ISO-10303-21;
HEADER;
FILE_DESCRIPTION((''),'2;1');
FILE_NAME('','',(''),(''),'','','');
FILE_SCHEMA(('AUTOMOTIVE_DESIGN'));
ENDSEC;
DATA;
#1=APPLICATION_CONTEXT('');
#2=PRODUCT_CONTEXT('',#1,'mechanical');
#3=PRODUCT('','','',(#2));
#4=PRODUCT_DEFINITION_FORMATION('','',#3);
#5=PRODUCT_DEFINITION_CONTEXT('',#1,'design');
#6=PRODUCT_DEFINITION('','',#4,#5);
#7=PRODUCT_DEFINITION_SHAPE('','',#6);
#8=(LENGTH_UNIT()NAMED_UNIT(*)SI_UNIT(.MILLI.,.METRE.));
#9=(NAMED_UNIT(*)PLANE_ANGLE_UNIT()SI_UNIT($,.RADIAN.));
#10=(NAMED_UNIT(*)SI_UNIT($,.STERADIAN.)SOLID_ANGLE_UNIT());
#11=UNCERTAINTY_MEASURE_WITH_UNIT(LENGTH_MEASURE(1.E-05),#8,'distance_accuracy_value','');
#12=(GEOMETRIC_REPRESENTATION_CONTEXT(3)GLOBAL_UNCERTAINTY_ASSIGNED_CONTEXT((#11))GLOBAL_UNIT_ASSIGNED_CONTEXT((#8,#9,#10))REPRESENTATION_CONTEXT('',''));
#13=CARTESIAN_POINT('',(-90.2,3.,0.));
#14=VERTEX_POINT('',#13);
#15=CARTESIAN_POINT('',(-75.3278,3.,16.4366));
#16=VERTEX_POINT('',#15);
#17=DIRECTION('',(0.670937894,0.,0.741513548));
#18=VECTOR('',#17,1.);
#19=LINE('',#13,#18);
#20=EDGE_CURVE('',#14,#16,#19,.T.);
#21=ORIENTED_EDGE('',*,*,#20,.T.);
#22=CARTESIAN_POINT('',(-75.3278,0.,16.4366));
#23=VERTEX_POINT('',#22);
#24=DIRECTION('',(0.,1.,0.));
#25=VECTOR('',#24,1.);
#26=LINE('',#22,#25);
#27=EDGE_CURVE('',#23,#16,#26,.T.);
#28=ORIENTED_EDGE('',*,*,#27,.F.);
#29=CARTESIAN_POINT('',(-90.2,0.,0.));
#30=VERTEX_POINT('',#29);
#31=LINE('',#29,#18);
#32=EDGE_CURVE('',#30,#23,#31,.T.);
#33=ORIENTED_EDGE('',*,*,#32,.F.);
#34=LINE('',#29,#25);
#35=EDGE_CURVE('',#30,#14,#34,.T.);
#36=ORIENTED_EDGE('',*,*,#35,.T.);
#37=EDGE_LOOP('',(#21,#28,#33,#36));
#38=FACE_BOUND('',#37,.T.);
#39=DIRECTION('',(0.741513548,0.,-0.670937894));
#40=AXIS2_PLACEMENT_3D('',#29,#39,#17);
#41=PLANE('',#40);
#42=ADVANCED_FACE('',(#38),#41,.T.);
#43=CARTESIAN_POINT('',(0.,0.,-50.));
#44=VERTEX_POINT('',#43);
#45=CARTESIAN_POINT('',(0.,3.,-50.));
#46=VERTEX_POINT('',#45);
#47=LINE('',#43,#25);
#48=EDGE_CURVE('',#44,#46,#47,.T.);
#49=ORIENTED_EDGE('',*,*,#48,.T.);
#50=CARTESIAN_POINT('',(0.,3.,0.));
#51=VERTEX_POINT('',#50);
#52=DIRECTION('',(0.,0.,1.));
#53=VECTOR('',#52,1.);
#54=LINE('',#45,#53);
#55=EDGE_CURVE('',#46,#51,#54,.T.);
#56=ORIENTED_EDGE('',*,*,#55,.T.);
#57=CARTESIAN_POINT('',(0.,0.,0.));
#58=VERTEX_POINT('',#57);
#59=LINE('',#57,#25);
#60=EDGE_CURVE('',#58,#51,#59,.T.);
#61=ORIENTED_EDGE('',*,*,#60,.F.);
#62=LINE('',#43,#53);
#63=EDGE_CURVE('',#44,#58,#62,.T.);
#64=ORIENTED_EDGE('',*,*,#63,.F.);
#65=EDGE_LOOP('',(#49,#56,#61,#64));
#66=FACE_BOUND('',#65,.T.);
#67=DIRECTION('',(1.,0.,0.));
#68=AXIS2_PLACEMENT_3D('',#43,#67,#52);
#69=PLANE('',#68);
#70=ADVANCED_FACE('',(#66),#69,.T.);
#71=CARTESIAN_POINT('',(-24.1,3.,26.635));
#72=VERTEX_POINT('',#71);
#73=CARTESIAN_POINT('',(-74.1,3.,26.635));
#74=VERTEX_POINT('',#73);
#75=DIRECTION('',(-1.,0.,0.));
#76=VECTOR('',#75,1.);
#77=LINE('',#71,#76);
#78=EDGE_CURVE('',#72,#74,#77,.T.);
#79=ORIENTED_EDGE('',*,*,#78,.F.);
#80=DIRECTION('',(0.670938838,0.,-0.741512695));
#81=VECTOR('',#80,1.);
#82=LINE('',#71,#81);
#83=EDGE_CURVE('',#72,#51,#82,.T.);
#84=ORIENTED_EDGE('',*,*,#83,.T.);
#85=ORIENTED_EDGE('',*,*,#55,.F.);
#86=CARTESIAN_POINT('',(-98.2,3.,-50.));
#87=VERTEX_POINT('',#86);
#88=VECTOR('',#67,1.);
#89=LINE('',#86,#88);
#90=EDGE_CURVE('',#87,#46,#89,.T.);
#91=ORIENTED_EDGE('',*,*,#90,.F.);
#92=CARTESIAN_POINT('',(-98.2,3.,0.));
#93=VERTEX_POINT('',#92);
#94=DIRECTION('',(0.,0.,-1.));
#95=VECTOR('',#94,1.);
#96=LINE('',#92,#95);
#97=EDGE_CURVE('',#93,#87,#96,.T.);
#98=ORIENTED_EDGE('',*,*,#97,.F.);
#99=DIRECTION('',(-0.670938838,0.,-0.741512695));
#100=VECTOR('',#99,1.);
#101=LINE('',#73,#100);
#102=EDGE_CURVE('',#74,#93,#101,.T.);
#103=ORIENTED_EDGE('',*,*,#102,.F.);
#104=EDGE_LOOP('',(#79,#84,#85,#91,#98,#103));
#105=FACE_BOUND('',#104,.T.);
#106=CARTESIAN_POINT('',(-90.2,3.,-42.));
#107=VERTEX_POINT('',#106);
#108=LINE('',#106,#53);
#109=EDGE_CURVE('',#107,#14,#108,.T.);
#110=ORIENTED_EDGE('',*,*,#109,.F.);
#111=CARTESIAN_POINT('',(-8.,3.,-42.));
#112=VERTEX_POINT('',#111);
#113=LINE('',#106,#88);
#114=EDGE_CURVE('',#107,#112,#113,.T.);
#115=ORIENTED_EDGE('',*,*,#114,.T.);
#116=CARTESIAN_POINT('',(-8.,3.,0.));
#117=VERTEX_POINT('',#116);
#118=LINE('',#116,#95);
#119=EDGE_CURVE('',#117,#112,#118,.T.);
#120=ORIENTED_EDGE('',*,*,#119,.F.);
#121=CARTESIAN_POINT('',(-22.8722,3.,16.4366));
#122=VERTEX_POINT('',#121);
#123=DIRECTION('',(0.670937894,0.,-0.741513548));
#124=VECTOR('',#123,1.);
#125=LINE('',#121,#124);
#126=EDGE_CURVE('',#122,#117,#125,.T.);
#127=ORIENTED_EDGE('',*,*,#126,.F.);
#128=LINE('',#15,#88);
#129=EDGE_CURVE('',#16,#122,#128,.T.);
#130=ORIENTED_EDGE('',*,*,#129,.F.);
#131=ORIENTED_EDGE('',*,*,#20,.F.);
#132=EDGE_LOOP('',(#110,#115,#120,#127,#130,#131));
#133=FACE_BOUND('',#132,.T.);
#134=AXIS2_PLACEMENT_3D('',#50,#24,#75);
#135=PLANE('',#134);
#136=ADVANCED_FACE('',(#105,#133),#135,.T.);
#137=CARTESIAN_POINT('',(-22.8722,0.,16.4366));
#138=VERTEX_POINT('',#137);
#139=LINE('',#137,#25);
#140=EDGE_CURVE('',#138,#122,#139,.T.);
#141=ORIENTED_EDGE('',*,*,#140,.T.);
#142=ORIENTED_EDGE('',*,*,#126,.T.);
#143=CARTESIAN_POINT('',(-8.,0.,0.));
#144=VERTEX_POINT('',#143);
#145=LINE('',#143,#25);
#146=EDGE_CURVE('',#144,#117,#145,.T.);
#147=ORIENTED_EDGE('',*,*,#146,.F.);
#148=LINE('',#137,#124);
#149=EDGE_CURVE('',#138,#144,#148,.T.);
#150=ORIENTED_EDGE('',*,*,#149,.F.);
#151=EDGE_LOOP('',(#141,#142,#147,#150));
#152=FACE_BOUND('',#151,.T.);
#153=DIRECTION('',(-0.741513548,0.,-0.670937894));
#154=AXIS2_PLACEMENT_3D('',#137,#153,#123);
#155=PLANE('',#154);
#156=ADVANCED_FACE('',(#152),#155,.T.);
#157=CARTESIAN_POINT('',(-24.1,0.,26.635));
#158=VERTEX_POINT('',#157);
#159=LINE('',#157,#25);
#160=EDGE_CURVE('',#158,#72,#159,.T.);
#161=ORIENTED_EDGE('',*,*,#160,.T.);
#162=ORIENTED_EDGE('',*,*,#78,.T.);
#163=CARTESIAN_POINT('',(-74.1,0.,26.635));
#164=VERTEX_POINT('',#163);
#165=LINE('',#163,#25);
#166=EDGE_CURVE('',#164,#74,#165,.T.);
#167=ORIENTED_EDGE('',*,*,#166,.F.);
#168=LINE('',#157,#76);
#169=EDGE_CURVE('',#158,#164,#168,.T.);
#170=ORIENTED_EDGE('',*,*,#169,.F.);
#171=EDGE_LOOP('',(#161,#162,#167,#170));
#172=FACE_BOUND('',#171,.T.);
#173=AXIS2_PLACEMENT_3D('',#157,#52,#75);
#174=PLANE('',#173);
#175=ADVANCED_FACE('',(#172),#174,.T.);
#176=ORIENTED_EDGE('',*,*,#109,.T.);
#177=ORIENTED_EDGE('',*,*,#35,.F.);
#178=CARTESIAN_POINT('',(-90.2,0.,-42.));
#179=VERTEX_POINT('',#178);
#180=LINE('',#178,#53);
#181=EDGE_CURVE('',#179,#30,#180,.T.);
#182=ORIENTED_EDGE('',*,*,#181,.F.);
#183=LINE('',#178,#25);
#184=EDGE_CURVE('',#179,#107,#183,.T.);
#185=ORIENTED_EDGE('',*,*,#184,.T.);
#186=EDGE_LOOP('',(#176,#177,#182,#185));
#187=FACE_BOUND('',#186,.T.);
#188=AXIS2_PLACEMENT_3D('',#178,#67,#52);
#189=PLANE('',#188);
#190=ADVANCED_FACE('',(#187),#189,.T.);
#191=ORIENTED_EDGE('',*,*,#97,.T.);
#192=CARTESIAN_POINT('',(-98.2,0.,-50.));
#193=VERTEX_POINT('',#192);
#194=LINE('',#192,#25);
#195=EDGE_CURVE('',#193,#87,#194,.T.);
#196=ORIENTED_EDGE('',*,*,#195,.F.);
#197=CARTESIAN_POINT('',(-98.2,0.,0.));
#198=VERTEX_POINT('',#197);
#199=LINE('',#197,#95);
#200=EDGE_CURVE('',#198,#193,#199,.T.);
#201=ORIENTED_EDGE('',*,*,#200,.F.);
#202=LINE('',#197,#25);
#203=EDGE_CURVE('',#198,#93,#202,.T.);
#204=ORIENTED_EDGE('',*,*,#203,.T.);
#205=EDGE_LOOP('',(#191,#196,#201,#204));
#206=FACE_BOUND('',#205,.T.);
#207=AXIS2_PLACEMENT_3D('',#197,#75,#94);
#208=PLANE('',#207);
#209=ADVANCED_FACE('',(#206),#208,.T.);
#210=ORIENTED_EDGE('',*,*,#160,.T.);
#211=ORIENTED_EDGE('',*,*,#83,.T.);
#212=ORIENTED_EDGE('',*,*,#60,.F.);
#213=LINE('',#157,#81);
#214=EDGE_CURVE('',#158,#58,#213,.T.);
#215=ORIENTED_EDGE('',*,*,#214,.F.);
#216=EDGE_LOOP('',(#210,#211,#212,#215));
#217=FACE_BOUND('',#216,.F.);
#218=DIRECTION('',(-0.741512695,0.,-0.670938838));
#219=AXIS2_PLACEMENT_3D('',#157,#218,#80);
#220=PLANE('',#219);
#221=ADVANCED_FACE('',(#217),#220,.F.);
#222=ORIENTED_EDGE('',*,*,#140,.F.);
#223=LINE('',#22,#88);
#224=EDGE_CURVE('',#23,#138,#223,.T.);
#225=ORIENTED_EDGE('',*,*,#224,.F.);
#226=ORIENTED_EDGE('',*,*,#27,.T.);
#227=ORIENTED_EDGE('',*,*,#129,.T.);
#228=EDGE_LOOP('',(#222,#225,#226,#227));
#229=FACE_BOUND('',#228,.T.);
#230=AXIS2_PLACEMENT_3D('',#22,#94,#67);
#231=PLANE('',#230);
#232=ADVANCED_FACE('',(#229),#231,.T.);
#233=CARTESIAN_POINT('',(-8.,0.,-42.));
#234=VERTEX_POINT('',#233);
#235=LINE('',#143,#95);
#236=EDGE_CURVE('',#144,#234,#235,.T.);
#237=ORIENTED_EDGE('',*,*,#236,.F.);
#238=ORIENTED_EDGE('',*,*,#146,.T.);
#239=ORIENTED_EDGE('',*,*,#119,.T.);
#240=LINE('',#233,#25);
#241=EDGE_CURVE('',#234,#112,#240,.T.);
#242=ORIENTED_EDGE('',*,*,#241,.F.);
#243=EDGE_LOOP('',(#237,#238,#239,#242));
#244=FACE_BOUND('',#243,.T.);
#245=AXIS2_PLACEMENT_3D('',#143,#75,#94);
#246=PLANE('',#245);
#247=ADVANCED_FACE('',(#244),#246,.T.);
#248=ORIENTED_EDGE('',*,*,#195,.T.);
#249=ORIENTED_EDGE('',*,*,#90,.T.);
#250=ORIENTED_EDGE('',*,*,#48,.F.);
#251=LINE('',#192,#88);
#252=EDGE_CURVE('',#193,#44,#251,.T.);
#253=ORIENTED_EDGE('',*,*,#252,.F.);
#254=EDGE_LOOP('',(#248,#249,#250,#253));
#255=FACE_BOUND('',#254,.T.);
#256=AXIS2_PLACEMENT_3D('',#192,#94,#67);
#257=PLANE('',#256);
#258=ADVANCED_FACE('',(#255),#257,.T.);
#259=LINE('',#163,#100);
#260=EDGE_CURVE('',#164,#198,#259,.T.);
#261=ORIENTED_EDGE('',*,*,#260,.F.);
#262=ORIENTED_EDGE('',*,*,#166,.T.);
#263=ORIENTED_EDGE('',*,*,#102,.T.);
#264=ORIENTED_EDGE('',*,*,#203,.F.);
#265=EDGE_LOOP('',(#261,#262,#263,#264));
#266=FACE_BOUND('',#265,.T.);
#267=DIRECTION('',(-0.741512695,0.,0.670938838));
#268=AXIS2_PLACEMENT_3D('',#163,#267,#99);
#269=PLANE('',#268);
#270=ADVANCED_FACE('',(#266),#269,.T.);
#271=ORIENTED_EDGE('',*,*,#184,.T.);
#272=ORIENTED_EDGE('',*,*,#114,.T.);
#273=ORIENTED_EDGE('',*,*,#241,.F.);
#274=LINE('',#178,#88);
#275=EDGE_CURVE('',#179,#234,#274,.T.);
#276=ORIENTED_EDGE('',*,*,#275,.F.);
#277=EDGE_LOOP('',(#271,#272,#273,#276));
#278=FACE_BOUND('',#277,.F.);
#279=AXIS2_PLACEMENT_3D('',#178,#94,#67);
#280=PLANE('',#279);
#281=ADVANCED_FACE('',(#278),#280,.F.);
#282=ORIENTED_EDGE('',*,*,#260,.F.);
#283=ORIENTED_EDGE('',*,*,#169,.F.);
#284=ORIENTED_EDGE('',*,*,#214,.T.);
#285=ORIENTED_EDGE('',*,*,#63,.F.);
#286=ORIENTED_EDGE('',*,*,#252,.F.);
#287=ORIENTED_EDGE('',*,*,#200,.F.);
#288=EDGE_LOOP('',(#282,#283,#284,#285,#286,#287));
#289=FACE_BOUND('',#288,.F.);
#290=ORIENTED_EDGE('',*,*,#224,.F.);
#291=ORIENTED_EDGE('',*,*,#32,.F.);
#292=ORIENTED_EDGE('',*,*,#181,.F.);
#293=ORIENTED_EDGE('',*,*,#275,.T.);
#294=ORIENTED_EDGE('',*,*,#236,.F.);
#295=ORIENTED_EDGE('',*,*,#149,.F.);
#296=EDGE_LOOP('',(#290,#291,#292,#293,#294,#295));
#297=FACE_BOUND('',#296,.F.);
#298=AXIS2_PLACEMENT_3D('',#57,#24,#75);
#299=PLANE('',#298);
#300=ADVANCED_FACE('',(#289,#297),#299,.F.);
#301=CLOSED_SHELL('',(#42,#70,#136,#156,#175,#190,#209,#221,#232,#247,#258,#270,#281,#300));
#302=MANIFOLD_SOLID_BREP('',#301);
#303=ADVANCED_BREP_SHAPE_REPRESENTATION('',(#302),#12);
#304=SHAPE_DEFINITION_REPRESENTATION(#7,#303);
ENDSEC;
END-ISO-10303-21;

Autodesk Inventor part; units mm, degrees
ref_plane "YZ Plane" through (0, 0, 0) normal (1, 0, 0) x (0, 1, 0)
ref_plane "XZ Plane" through (0, 0, 0) normal (0, 1, 0) x (-1, 0, 0)
ref_plane "XY Plane" through (0, 0, 0) normal (0, 0, 1) x (1, 0, 0)
sketch "Sketch1" plane through (0, 0, 0) normal (0, 1, 0) x (-1, 0, 0)
  line L0 (98.2, 0) -> (98.2, -50)
  line L1 (0, -50) -> (0, 0)
  line L2 (24.1, 26.635) -> (74.1, 26.635)
  line L3 (24.1, 26.635) -> (0, 0)
  line L4 (74.1, 26.635) -> (98.2, 0)
  line L5 (8, 0) -> (8, -42)
  line L6 (90.2, -42) -> (90.2, 0)
  line L7 (90.2, 0) -> (75.3278, 16.4366)
  line L8 (75.3278, 16.4366) -> (22.8722, 16.4366)
  line L9 (22.8722, 16.4366) -> (8, 0)
  line L10 (90.2, -42) -> (8, -42)
  line L11 (98.2, -50) -> (0, -50)
  dimension "d0" = 98.2
  dimension "d1" = 50
  dimension "d2" = 50
  dimension "d5" = 26.635
  dimension "d6" = 24.1
  dimension "d7" = 24.1
  dimension "d9" = 8
  dimension "d10" = 8
  dimension "d11" = 42
extrude "Extrusion1" add sketch "Sketch1" along normal blind 3
properties part number "TopServoMount02"
